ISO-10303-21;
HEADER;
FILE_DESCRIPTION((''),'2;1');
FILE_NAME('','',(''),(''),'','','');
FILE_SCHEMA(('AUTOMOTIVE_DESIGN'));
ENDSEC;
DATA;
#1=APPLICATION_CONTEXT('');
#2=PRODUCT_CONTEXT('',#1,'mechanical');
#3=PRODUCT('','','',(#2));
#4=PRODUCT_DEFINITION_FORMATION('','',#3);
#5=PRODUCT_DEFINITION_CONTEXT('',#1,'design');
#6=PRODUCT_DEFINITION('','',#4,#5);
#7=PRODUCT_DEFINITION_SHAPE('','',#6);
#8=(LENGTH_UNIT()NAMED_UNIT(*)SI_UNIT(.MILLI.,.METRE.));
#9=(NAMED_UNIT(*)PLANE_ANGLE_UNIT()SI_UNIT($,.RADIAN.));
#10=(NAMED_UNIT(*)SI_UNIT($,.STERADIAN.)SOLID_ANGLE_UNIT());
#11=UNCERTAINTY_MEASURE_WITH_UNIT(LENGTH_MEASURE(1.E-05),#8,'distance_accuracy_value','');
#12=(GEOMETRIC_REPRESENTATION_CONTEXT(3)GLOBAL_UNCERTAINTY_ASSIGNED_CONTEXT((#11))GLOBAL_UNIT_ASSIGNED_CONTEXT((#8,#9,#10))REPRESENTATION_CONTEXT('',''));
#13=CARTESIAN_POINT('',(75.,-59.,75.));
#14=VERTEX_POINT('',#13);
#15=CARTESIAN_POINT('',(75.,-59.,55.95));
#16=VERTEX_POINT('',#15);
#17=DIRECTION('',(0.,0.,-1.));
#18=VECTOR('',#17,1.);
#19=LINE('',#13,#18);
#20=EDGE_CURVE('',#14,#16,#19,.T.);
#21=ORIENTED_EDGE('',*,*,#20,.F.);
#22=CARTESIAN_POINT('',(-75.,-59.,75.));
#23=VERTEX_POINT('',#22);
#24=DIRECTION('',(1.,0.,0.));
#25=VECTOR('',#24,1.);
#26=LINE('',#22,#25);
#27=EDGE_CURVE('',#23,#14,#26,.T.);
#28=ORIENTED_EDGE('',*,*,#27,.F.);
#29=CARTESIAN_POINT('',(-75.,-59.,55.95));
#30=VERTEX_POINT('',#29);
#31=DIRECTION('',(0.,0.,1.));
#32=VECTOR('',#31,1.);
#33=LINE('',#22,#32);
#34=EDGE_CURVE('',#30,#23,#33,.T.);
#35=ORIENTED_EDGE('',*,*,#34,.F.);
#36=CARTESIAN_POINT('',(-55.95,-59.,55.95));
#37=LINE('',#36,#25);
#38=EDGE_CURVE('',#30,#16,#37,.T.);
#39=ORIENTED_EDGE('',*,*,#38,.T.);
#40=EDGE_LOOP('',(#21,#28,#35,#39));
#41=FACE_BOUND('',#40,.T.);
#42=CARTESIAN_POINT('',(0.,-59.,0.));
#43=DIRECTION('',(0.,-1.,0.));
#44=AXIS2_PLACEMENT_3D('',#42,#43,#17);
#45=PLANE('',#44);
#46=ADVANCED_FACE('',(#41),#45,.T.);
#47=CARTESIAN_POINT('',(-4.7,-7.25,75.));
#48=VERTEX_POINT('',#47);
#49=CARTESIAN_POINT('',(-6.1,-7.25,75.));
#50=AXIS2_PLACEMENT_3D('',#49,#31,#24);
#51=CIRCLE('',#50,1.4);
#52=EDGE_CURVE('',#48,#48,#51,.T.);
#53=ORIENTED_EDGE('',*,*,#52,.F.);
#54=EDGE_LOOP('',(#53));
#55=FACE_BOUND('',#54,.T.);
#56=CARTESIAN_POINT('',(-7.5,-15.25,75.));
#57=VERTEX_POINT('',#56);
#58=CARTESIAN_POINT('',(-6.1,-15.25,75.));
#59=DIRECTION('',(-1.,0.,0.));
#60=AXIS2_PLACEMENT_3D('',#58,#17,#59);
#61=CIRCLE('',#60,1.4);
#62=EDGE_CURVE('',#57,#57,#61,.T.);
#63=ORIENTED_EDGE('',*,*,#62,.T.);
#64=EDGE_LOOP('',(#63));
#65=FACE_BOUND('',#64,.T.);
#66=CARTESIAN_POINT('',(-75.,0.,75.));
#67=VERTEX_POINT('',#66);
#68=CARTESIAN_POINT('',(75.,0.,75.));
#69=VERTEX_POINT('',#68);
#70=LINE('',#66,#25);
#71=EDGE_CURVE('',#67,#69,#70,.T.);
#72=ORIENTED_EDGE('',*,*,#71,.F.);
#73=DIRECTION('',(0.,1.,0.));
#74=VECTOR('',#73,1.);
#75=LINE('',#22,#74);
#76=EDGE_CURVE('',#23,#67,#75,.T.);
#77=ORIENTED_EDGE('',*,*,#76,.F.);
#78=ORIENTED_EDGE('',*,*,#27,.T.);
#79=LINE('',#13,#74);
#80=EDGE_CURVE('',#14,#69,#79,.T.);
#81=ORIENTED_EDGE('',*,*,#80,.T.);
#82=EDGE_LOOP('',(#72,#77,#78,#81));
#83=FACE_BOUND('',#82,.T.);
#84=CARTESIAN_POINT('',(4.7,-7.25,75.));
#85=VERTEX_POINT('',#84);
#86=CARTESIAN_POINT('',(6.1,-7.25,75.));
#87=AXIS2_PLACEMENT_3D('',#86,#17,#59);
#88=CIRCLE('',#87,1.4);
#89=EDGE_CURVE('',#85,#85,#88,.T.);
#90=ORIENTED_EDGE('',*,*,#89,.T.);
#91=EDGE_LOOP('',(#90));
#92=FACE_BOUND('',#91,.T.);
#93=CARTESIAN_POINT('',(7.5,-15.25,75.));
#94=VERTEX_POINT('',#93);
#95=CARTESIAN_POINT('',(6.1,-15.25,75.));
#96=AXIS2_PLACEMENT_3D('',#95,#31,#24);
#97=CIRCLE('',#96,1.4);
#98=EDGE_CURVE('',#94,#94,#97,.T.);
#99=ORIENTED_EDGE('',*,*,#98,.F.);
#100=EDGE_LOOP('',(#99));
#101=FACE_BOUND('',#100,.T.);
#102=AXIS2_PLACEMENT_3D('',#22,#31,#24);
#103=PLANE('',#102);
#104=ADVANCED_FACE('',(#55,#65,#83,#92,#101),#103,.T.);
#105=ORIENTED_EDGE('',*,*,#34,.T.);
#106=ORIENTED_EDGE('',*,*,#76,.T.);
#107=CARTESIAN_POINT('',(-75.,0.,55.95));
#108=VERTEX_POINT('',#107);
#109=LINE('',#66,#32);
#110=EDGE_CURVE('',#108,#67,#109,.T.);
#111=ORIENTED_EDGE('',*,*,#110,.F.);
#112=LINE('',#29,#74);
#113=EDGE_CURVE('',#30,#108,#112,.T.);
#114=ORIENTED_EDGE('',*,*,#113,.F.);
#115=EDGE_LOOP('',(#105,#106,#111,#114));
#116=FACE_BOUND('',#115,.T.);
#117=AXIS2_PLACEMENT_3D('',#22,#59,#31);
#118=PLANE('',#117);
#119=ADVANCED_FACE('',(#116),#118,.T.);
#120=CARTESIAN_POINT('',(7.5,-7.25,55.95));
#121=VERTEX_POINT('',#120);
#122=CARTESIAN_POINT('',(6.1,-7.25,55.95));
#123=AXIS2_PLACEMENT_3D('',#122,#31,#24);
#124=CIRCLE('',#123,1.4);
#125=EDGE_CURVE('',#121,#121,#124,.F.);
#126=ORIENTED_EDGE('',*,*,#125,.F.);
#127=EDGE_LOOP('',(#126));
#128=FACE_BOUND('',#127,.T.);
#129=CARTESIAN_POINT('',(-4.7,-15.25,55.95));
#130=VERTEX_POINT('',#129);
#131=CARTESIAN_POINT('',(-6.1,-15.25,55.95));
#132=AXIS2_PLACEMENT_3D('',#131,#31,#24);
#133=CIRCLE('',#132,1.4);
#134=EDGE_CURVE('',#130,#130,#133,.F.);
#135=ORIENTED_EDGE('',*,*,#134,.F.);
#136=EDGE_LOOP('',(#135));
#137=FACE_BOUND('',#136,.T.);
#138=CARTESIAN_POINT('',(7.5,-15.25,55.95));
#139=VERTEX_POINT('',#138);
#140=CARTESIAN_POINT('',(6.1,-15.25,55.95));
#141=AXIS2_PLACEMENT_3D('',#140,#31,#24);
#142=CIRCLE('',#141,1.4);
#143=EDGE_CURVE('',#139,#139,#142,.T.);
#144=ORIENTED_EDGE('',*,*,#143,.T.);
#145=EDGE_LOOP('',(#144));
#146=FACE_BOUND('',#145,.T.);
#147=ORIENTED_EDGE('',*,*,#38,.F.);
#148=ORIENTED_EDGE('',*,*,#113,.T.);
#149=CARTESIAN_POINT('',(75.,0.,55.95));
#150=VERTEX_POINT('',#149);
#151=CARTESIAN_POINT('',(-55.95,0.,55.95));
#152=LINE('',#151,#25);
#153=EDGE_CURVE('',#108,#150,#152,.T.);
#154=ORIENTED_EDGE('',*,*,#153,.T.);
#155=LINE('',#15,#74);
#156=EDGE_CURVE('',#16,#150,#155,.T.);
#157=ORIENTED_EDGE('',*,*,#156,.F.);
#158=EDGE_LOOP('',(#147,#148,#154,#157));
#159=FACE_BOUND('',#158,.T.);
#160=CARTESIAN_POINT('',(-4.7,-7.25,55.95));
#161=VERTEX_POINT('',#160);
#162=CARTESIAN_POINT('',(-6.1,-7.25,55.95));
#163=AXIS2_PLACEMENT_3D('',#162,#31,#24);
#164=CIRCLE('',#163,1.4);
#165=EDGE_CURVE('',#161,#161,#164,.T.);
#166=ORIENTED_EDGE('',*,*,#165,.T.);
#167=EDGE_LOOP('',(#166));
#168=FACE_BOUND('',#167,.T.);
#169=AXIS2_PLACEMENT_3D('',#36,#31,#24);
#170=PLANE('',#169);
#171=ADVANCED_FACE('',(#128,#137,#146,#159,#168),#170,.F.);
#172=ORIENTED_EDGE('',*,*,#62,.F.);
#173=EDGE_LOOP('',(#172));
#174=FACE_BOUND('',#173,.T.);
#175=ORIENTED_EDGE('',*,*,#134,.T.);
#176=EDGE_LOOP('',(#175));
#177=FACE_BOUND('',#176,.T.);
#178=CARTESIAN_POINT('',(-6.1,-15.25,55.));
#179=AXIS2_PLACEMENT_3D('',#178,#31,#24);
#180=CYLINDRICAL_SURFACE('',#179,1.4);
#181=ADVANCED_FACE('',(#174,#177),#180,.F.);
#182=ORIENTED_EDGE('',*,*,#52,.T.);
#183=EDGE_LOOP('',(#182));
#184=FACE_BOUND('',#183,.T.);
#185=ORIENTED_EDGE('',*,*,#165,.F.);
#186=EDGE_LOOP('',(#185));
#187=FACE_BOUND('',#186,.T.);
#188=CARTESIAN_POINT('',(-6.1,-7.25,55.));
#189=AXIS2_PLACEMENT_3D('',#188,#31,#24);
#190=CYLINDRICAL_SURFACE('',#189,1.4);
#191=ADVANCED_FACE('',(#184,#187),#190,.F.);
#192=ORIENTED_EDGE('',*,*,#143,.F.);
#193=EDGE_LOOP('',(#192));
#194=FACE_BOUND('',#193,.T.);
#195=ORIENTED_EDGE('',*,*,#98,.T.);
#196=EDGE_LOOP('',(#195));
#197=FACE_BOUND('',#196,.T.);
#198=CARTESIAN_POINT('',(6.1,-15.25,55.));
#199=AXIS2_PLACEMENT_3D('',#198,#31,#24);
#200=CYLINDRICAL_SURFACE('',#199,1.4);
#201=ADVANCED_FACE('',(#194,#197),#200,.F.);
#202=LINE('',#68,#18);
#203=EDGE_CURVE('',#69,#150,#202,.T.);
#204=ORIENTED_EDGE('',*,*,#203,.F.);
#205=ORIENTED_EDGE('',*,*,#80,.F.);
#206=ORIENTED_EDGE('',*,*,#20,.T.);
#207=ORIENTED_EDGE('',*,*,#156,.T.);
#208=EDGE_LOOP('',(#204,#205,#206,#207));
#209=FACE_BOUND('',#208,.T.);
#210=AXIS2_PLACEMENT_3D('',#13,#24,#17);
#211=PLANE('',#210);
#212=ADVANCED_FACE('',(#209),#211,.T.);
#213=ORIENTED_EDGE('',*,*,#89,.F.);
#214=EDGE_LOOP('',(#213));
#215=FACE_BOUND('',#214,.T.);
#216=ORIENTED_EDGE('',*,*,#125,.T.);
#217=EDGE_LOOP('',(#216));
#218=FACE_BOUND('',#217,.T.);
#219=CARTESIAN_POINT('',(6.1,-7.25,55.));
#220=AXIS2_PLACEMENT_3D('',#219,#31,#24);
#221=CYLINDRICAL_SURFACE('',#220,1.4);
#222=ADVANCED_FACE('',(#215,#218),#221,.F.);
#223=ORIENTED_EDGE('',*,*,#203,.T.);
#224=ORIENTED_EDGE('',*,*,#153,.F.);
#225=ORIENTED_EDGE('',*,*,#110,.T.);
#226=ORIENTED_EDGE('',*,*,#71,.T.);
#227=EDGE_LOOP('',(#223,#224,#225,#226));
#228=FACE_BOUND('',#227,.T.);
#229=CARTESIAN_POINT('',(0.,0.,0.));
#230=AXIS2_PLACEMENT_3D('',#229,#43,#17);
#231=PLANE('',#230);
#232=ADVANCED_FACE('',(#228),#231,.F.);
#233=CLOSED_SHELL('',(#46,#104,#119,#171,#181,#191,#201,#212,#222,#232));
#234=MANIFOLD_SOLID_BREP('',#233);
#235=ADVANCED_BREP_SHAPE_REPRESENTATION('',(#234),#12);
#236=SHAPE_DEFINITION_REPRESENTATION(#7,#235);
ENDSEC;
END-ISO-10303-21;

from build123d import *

# Parameters (mm, degrees)
SKETCH1_W           = 150
SKETCH1_H           = 150
BOSS_EXTRUDE1_DEPTH = 59
SKETCH2_W           = 111.9
SKETCH2_H           = 111.9
CUT_EXTRUDE1_DEPTH  = 60
SKETCH9_R           = 1.4
CUT_EXTRUDE4_DEPTH  = 20
CIRPATTERN1_COUNT   = 3
CIRPATTERN1_ANGLE   = 180
SKETCH10_W          = 111.9
SKETCH10_H          = 105.448295943
CUT_EXTRUDE6_DEPTH  = 60
SKETCH12_W          = 150
SKETCH12_H          = 130.95
CUT_EXTRUDE7_DEPTH  = 60


with BuildPart() as part:
    # Sketch1 → Boss-Extrude1 (new body)
    with BuildSketch(Plane(origin=(0, 0, 0), x_dir=(1, 0, 0), z_dir=(0, 1, 0))):
        Rectangle(SKETCH1_W, SKETCH1_H)
    extrude(amount=-BOSS_EXTRUDE1_DEPTH)

    # Sketch2 → Cut-Extrude1 (cut, through all)
    with BuildSketch(Plane(origin=(0, 0, 0), x_dir=(1, 0, 0), z_dir=(0, 1, 0))):
        Rectangle(SKETCH2_W, SKETCH2_H)
    extrude(amount=-CUT_EXTRUDE1_DEPTH, mode=Mode.SUBTRACT)

    # Sketch9 → Cut-Extrude4 (cut)
    with BuildSketch(Plane.ZY.offset(75)):
        with Locations((-6.1, -7.25)):
            Circle(SKETCH9_R)
        with Locations((6.1, -7.25)):
            Circle(SKETCH9_R)
        with Locations((6.1, -15.25)):
            Circle(SKETCH9_R)
        with Locations((-6.1, -15.25)):
            Circle(SKETCH9_R)
    cut_extrude4 = extrude(amount=-CUT_EXTRUDE4_DEPTH, mode=Mode.SUBTRACT)

    # CirPattern1: Cut-Extrude4 ×3 about axis
    cirpattern1_axis = Axis((0, 0, 0), (0, 1, 0))
    for i in range(1, CIRPATTERN1_COUNT):
        add(cut_extrude4.rotate(cirpattern1_axis, i * CIRPATTERN1_ANGLE / (CIRPATTERN1_COUNT - 1)), mode=Mode.SUBTRACT)

    # Sketch10 → Cut-Extrude6 (cut, through all)
    with BuildSketch(Plane(origin=(0, 0, 0), x_dir=(1, 0, 0), z_dir=(0, 1, 0))):
        with Locations((0, 108.674147972)):
            Rectangle(SKETCH10_W, SKETCH10_H)
    extrude(amount=-CUT_EXTRUDE6_DEPTH, mode=Mode.SUBTRACT)

    # Sketch12 → Cut-Extrude7 (cut, through all)
    with BuildSketch(Plane(origin=(0, 0, 0), x_dir=(1, 0, 0), z_dir=(0, 1, 0))):
        with Locations((0, 9.525)):
            Rectangle(SKETCH12_W, SKETCH12_H)
    extrude(amount=-CUT_EXTRUDE7_DEPTH, mode=Mode.SUBTRACT)


solid = part.part
